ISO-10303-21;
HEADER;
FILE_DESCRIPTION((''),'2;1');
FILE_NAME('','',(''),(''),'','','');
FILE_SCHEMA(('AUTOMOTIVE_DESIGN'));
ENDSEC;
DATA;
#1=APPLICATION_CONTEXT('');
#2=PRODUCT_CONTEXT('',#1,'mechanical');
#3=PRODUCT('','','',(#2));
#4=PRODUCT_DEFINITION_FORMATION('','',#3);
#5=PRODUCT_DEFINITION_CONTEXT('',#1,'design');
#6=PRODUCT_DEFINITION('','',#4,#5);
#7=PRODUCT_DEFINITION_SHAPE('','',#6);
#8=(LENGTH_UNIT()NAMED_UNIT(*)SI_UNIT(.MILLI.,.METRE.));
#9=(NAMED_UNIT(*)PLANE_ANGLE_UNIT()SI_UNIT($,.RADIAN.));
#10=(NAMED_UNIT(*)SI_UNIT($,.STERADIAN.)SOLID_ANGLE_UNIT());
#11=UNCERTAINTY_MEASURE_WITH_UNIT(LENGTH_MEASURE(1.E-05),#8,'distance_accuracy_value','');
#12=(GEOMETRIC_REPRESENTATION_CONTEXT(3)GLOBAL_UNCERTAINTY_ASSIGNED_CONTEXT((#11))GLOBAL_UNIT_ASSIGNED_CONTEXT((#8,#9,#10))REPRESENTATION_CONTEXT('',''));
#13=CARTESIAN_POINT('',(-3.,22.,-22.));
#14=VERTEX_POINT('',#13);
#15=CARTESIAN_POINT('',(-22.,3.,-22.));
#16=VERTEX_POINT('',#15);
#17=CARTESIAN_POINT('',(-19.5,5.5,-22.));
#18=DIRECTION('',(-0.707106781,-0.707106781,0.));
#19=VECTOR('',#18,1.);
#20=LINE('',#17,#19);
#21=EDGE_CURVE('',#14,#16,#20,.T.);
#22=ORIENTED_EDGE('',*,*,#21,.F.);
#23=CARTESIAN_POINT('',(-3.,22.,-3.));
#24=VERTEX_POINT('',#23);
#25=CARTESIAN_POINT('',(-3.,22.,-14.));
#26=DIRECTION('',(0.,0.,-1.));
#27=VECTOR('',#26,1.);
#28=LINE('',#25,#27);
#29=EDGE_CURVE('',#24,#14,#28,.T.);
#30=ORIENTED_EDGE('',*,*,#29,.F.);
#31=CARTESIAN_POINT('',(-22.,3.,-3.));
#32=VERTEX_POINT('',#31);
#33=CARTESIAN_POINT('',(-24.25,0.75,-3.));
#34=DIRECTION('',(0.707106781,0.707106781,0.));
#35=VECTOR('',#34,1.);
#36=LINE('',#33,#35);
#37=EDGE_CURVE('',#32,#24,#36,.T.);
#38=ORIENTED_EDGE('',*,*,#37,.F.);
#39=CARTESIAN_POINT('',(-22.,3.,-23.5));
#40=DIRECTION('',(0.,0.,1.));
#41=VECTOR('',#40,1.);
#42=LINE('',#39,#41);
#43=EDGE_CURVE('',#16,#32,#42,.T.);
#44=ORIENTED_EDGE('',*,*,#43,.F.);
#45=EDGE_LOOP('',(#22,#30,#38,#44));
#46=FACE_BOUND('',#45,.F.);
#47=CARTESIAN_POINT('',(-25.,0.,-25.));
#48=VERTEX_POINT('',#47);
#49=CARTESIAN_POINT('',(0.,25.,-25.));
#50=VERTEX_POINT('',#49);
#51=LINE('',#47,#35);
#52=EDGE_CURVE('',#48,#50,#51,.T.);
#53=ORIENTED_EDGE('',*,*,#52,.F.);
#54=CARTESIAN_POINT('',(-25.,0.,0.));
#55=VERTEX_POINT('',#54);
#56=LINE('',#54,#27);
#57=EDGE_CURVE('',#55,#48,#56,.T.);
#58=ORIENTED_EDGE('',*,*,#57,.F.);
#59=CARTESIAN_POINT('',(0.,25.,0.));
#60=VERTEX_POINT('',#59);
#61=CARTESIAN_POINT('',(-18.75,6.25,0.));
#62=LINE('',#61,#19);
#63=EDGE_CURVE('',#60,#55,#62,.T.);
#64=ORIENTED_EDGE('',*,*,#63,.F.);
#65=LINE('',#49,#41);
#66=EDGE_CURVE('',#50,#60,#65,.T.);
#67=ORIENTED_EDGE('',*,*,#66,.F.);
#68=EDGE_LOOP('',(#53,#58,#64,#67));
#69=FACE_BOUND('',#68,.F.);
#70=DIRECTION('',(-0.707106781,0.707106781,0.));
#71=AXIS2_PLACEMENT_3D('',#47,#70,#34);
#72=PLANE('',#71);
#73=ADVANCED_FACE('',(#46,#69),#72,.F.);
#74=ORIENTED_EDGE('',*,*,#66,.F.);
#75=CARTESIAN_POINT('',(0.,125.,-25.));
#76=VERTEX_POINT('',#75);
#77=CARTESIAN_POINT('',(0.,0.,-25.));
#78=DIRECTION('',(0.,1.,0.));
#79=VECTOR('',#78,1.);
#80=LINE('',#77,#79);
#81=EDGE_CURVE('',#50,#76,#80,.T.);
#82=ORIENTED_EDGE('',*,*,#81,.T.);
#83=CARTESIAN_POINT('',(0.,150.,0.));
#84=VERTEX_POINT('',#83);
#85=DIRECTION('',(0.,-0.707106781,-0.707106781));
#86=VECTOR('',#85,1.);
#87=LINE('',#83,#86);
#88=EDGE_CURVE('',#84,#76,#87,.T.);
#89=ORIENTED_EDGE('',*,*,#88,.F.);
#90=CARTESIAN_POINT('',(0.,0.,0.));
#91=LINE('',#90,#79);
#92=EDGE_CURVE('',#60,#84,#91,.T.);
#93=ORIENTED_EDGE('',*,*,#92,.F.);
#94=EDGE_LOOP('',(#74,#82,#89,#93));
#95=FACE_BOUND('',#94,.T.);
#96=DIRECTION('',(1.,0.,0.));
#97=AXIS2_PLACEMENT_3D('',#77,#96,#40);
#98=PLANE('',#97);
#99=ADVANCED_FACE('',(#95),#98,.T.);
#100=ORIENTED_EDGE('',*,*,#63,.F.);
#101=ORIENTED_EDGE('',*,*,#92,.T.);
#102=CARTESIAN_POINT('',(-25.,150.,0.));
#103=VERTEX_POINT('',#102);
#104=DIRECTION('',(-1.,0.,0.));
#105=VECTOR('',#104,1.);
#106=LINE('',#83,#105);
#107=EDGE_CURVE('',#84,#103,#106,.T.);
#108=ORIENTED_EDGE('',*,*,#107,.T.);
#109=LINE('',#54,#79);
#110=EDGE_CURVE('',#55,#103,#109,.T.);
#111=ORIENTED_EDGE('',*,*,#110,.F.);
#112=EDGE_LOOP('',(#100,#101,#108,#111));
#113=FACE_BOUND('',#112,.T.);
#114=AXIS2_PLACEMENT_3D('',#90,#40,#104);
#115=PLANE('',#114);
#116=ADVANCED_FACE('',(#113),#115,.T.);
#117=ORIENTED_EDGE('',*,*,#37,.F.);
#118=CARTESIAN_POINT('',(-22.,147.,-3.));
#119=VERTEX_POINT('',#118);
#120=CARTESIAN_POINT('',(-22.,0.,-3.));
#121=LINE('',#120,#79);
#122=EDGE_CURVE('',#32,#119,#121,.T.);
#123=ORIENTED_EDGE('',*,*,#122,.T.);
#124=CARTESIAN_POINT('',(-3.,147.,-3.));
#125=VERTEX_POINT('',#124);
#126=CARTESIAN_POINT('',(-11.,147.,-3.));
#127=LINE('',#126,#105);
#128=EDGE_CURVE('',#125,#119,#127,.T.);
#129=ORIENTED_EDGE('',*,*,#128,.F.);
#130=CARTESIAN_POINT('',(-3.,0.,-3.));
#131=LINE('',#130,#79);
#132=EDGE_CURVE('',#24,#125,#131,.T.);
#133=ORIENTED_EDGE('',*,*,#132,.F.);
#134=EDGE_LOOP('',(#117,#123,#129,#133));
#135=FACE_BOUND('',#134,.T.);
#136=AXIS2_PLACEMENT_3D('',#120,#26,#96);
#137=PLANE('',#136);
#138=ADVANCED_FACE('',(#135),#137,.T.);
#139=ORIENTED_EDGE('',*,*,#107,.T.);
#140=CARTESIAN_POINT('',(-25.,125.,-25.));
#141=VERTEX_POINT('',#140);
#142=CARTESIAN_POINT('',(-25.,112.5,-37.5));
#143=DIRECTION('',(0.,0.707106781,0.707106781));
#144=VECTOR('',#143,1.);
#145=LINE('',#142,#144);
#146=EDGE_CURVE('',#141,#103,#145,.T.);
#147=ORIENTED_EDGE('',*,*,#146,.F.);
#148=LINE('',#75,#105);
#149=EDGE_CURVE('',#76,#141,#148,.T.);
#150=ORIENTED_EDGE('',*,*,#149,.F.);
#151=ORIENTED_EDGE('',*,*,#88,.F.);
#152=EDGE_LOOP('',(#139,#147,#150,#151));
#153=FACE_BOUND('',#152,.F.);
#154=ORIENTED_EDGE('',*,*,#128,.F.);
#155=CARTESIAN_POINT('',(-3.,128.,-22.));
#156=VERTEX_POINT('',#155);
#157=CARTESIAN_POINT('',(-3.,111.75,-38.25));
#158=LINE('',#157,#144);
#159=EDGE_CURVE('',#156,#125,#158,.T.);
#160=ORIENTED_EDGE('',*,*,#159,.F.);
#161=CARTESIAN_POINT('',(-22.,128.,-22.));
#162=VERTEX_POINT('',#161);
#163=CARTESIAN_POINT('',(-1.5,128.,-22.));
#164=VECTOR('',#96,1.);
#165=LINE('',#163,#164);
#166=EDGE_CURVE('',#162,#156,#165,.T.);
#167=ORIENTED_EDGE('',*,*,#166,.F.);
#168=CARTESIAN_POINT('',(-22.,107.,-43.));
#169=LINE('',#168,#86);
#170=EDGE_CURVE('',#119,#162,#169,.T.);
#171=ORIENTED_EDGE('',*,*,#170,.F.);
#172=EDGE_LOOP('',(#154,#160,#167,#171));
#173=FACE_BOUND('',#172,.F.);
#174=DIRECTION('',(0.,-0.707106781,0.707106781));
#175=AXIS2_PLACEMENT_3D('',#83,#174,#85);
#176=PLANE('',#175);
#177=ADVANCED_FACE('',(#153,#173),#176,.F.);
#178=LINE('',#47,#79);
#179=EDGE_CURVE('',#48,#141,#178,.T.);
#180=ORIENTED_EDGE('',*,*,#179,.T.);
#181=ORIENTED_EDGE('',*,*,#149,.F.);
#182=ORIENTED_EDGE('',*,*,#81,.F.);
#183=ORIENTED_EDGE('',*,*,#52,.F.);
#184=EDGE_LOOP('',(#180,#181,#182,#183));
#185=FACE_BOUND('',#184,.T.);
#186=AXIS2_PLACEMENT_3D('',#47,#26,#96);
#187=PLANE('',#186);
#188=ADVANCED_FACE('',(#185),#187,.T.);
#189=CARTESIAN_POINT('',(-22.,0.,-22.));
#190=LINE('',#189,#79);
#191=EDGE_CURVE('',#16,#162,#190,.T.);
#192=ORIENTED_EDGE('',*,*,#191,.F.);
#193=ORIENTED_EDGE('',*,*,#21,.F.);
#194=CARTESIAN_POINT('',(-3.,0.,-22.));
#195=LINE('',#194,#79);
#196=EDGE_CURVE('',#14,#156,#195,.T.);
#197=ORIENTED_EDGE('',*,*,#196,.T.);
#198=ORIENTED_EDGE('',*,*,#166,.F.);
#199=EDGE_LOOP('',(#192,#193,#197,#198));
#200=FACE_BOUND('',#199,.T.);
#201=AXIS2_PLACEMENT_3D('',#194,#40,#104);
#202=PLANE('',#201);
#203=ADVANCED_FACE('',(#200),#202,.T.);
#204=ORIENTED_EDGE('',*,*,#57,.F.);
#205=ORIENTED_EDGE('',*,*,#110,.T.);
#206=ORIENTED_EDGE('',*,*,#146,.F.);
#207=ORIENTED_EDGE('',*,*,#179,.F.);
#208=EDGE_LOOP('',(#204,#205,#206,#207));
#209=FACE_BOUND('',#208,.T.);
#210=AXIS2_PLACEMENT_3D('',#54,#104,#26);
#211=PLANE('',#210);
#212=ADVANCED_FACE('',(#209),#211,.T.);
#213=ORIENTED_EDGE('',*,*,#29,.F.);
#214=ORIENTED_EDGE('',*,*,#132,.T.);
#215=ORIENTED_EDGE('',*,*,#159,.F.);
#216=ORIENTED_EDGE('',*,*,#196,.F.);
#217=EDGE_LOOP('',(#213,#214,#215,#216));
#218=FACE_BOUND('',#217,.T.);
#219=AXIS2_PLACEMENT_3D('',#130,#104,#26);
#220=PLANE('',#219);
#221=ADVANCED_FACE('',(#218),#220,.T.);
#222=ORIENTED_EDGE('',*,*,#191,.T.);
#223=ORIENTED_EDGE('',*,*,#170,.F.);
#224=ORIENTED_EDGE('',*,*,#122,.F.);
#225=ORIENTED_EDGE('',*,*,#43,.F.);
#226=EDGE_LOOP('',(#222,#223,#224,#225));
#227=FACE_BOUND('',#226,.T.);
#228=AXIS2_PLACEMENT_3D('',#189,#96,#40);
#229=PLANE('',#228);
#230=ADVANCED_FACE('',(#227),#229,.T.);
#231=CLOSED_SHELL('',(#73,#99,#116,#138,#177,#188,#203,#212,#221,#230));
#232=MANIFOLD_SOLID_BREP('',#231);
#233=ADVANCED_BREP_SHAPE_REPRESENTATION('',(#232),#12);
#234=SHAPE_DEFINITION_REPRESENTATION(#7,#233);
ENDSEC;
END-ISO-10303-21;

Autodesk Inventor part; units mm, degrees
ref_plane "YZ Plane" through (0, 0, 0) normal (1, 0, 0) x (0, 1, 0)
ref_plane "XZ Plane" through (0, 0, 0) normal (0, 1, 0) x (-1, 0, 0)
ref_plane "XY Plane" through (0, 0, 0) normal (0, 0, 1) x (1, 0, 0)
sketch "Sketch1" plane through (0, 0, 0) normal (0, 1, 0) x (-1, 0, 0)
  line L0 (0, 0) -> (25, 0)
  line L1 (25, 0) -> (25, -25)
  line L2 (25, -25) -> (0, -25)
  line L3 (0, -25) -> (0, 0)
  line L4 (22, -22) -> (22, -3)
  line L5 (22, -3) -> (3, -3)
  line L6 (3, -3) -> (3, -22)
  line L7 (3, -22) -> (22, -22)
  dimension "d0" = 25
  dimension "d1" = 25
  dimension "d2" = 3
extrude "Extrusion1" add sketch "Sketch1" along normal blind 150
sketch "Sketch2" plane through (0, 0, 0) normal (1, 0, 0) x (0, 0, -1)
  line L0 (0, 0) -> (25, 0) projected
  line L1 (25, 0) -> (25, 150) projected
  line L2 (0, 150) -> (25, 150) projected
  line L3 (0, 0) -> (0, 150) projected
  line L4 (0, 0) -> (0, 150) projected
  line L5 (0, 150) -> (25, 125)
  line L6 (0, 150) -> (35.3553, 150) construction
  dimension "d5" = 45
extrude "Extrusion2" cut sketch "Sketch2" against normal blind 80 contours L2 L1 L5
sketch "Sketch3" plane through (0, 0, -25) normal (0, 0, -1) x (-1, 0, 0)
  line L0 (25, 125) -> (0, 125) projected
  line L1 (0, 0) -> (0, 125) projected
  line L2 (0, 0) -> (25, 0) projected
  line L3 (25, 0) -> (25, 125) projected
  line L4 (25, 0) -> (0, 25)
  dimension "d11" = 45
extrude "Extrusion3" cut sketch "Sketch3" against normal blind 100 contours L2 L1 L4
properties part number "P405" material "Aluminum 6061"
